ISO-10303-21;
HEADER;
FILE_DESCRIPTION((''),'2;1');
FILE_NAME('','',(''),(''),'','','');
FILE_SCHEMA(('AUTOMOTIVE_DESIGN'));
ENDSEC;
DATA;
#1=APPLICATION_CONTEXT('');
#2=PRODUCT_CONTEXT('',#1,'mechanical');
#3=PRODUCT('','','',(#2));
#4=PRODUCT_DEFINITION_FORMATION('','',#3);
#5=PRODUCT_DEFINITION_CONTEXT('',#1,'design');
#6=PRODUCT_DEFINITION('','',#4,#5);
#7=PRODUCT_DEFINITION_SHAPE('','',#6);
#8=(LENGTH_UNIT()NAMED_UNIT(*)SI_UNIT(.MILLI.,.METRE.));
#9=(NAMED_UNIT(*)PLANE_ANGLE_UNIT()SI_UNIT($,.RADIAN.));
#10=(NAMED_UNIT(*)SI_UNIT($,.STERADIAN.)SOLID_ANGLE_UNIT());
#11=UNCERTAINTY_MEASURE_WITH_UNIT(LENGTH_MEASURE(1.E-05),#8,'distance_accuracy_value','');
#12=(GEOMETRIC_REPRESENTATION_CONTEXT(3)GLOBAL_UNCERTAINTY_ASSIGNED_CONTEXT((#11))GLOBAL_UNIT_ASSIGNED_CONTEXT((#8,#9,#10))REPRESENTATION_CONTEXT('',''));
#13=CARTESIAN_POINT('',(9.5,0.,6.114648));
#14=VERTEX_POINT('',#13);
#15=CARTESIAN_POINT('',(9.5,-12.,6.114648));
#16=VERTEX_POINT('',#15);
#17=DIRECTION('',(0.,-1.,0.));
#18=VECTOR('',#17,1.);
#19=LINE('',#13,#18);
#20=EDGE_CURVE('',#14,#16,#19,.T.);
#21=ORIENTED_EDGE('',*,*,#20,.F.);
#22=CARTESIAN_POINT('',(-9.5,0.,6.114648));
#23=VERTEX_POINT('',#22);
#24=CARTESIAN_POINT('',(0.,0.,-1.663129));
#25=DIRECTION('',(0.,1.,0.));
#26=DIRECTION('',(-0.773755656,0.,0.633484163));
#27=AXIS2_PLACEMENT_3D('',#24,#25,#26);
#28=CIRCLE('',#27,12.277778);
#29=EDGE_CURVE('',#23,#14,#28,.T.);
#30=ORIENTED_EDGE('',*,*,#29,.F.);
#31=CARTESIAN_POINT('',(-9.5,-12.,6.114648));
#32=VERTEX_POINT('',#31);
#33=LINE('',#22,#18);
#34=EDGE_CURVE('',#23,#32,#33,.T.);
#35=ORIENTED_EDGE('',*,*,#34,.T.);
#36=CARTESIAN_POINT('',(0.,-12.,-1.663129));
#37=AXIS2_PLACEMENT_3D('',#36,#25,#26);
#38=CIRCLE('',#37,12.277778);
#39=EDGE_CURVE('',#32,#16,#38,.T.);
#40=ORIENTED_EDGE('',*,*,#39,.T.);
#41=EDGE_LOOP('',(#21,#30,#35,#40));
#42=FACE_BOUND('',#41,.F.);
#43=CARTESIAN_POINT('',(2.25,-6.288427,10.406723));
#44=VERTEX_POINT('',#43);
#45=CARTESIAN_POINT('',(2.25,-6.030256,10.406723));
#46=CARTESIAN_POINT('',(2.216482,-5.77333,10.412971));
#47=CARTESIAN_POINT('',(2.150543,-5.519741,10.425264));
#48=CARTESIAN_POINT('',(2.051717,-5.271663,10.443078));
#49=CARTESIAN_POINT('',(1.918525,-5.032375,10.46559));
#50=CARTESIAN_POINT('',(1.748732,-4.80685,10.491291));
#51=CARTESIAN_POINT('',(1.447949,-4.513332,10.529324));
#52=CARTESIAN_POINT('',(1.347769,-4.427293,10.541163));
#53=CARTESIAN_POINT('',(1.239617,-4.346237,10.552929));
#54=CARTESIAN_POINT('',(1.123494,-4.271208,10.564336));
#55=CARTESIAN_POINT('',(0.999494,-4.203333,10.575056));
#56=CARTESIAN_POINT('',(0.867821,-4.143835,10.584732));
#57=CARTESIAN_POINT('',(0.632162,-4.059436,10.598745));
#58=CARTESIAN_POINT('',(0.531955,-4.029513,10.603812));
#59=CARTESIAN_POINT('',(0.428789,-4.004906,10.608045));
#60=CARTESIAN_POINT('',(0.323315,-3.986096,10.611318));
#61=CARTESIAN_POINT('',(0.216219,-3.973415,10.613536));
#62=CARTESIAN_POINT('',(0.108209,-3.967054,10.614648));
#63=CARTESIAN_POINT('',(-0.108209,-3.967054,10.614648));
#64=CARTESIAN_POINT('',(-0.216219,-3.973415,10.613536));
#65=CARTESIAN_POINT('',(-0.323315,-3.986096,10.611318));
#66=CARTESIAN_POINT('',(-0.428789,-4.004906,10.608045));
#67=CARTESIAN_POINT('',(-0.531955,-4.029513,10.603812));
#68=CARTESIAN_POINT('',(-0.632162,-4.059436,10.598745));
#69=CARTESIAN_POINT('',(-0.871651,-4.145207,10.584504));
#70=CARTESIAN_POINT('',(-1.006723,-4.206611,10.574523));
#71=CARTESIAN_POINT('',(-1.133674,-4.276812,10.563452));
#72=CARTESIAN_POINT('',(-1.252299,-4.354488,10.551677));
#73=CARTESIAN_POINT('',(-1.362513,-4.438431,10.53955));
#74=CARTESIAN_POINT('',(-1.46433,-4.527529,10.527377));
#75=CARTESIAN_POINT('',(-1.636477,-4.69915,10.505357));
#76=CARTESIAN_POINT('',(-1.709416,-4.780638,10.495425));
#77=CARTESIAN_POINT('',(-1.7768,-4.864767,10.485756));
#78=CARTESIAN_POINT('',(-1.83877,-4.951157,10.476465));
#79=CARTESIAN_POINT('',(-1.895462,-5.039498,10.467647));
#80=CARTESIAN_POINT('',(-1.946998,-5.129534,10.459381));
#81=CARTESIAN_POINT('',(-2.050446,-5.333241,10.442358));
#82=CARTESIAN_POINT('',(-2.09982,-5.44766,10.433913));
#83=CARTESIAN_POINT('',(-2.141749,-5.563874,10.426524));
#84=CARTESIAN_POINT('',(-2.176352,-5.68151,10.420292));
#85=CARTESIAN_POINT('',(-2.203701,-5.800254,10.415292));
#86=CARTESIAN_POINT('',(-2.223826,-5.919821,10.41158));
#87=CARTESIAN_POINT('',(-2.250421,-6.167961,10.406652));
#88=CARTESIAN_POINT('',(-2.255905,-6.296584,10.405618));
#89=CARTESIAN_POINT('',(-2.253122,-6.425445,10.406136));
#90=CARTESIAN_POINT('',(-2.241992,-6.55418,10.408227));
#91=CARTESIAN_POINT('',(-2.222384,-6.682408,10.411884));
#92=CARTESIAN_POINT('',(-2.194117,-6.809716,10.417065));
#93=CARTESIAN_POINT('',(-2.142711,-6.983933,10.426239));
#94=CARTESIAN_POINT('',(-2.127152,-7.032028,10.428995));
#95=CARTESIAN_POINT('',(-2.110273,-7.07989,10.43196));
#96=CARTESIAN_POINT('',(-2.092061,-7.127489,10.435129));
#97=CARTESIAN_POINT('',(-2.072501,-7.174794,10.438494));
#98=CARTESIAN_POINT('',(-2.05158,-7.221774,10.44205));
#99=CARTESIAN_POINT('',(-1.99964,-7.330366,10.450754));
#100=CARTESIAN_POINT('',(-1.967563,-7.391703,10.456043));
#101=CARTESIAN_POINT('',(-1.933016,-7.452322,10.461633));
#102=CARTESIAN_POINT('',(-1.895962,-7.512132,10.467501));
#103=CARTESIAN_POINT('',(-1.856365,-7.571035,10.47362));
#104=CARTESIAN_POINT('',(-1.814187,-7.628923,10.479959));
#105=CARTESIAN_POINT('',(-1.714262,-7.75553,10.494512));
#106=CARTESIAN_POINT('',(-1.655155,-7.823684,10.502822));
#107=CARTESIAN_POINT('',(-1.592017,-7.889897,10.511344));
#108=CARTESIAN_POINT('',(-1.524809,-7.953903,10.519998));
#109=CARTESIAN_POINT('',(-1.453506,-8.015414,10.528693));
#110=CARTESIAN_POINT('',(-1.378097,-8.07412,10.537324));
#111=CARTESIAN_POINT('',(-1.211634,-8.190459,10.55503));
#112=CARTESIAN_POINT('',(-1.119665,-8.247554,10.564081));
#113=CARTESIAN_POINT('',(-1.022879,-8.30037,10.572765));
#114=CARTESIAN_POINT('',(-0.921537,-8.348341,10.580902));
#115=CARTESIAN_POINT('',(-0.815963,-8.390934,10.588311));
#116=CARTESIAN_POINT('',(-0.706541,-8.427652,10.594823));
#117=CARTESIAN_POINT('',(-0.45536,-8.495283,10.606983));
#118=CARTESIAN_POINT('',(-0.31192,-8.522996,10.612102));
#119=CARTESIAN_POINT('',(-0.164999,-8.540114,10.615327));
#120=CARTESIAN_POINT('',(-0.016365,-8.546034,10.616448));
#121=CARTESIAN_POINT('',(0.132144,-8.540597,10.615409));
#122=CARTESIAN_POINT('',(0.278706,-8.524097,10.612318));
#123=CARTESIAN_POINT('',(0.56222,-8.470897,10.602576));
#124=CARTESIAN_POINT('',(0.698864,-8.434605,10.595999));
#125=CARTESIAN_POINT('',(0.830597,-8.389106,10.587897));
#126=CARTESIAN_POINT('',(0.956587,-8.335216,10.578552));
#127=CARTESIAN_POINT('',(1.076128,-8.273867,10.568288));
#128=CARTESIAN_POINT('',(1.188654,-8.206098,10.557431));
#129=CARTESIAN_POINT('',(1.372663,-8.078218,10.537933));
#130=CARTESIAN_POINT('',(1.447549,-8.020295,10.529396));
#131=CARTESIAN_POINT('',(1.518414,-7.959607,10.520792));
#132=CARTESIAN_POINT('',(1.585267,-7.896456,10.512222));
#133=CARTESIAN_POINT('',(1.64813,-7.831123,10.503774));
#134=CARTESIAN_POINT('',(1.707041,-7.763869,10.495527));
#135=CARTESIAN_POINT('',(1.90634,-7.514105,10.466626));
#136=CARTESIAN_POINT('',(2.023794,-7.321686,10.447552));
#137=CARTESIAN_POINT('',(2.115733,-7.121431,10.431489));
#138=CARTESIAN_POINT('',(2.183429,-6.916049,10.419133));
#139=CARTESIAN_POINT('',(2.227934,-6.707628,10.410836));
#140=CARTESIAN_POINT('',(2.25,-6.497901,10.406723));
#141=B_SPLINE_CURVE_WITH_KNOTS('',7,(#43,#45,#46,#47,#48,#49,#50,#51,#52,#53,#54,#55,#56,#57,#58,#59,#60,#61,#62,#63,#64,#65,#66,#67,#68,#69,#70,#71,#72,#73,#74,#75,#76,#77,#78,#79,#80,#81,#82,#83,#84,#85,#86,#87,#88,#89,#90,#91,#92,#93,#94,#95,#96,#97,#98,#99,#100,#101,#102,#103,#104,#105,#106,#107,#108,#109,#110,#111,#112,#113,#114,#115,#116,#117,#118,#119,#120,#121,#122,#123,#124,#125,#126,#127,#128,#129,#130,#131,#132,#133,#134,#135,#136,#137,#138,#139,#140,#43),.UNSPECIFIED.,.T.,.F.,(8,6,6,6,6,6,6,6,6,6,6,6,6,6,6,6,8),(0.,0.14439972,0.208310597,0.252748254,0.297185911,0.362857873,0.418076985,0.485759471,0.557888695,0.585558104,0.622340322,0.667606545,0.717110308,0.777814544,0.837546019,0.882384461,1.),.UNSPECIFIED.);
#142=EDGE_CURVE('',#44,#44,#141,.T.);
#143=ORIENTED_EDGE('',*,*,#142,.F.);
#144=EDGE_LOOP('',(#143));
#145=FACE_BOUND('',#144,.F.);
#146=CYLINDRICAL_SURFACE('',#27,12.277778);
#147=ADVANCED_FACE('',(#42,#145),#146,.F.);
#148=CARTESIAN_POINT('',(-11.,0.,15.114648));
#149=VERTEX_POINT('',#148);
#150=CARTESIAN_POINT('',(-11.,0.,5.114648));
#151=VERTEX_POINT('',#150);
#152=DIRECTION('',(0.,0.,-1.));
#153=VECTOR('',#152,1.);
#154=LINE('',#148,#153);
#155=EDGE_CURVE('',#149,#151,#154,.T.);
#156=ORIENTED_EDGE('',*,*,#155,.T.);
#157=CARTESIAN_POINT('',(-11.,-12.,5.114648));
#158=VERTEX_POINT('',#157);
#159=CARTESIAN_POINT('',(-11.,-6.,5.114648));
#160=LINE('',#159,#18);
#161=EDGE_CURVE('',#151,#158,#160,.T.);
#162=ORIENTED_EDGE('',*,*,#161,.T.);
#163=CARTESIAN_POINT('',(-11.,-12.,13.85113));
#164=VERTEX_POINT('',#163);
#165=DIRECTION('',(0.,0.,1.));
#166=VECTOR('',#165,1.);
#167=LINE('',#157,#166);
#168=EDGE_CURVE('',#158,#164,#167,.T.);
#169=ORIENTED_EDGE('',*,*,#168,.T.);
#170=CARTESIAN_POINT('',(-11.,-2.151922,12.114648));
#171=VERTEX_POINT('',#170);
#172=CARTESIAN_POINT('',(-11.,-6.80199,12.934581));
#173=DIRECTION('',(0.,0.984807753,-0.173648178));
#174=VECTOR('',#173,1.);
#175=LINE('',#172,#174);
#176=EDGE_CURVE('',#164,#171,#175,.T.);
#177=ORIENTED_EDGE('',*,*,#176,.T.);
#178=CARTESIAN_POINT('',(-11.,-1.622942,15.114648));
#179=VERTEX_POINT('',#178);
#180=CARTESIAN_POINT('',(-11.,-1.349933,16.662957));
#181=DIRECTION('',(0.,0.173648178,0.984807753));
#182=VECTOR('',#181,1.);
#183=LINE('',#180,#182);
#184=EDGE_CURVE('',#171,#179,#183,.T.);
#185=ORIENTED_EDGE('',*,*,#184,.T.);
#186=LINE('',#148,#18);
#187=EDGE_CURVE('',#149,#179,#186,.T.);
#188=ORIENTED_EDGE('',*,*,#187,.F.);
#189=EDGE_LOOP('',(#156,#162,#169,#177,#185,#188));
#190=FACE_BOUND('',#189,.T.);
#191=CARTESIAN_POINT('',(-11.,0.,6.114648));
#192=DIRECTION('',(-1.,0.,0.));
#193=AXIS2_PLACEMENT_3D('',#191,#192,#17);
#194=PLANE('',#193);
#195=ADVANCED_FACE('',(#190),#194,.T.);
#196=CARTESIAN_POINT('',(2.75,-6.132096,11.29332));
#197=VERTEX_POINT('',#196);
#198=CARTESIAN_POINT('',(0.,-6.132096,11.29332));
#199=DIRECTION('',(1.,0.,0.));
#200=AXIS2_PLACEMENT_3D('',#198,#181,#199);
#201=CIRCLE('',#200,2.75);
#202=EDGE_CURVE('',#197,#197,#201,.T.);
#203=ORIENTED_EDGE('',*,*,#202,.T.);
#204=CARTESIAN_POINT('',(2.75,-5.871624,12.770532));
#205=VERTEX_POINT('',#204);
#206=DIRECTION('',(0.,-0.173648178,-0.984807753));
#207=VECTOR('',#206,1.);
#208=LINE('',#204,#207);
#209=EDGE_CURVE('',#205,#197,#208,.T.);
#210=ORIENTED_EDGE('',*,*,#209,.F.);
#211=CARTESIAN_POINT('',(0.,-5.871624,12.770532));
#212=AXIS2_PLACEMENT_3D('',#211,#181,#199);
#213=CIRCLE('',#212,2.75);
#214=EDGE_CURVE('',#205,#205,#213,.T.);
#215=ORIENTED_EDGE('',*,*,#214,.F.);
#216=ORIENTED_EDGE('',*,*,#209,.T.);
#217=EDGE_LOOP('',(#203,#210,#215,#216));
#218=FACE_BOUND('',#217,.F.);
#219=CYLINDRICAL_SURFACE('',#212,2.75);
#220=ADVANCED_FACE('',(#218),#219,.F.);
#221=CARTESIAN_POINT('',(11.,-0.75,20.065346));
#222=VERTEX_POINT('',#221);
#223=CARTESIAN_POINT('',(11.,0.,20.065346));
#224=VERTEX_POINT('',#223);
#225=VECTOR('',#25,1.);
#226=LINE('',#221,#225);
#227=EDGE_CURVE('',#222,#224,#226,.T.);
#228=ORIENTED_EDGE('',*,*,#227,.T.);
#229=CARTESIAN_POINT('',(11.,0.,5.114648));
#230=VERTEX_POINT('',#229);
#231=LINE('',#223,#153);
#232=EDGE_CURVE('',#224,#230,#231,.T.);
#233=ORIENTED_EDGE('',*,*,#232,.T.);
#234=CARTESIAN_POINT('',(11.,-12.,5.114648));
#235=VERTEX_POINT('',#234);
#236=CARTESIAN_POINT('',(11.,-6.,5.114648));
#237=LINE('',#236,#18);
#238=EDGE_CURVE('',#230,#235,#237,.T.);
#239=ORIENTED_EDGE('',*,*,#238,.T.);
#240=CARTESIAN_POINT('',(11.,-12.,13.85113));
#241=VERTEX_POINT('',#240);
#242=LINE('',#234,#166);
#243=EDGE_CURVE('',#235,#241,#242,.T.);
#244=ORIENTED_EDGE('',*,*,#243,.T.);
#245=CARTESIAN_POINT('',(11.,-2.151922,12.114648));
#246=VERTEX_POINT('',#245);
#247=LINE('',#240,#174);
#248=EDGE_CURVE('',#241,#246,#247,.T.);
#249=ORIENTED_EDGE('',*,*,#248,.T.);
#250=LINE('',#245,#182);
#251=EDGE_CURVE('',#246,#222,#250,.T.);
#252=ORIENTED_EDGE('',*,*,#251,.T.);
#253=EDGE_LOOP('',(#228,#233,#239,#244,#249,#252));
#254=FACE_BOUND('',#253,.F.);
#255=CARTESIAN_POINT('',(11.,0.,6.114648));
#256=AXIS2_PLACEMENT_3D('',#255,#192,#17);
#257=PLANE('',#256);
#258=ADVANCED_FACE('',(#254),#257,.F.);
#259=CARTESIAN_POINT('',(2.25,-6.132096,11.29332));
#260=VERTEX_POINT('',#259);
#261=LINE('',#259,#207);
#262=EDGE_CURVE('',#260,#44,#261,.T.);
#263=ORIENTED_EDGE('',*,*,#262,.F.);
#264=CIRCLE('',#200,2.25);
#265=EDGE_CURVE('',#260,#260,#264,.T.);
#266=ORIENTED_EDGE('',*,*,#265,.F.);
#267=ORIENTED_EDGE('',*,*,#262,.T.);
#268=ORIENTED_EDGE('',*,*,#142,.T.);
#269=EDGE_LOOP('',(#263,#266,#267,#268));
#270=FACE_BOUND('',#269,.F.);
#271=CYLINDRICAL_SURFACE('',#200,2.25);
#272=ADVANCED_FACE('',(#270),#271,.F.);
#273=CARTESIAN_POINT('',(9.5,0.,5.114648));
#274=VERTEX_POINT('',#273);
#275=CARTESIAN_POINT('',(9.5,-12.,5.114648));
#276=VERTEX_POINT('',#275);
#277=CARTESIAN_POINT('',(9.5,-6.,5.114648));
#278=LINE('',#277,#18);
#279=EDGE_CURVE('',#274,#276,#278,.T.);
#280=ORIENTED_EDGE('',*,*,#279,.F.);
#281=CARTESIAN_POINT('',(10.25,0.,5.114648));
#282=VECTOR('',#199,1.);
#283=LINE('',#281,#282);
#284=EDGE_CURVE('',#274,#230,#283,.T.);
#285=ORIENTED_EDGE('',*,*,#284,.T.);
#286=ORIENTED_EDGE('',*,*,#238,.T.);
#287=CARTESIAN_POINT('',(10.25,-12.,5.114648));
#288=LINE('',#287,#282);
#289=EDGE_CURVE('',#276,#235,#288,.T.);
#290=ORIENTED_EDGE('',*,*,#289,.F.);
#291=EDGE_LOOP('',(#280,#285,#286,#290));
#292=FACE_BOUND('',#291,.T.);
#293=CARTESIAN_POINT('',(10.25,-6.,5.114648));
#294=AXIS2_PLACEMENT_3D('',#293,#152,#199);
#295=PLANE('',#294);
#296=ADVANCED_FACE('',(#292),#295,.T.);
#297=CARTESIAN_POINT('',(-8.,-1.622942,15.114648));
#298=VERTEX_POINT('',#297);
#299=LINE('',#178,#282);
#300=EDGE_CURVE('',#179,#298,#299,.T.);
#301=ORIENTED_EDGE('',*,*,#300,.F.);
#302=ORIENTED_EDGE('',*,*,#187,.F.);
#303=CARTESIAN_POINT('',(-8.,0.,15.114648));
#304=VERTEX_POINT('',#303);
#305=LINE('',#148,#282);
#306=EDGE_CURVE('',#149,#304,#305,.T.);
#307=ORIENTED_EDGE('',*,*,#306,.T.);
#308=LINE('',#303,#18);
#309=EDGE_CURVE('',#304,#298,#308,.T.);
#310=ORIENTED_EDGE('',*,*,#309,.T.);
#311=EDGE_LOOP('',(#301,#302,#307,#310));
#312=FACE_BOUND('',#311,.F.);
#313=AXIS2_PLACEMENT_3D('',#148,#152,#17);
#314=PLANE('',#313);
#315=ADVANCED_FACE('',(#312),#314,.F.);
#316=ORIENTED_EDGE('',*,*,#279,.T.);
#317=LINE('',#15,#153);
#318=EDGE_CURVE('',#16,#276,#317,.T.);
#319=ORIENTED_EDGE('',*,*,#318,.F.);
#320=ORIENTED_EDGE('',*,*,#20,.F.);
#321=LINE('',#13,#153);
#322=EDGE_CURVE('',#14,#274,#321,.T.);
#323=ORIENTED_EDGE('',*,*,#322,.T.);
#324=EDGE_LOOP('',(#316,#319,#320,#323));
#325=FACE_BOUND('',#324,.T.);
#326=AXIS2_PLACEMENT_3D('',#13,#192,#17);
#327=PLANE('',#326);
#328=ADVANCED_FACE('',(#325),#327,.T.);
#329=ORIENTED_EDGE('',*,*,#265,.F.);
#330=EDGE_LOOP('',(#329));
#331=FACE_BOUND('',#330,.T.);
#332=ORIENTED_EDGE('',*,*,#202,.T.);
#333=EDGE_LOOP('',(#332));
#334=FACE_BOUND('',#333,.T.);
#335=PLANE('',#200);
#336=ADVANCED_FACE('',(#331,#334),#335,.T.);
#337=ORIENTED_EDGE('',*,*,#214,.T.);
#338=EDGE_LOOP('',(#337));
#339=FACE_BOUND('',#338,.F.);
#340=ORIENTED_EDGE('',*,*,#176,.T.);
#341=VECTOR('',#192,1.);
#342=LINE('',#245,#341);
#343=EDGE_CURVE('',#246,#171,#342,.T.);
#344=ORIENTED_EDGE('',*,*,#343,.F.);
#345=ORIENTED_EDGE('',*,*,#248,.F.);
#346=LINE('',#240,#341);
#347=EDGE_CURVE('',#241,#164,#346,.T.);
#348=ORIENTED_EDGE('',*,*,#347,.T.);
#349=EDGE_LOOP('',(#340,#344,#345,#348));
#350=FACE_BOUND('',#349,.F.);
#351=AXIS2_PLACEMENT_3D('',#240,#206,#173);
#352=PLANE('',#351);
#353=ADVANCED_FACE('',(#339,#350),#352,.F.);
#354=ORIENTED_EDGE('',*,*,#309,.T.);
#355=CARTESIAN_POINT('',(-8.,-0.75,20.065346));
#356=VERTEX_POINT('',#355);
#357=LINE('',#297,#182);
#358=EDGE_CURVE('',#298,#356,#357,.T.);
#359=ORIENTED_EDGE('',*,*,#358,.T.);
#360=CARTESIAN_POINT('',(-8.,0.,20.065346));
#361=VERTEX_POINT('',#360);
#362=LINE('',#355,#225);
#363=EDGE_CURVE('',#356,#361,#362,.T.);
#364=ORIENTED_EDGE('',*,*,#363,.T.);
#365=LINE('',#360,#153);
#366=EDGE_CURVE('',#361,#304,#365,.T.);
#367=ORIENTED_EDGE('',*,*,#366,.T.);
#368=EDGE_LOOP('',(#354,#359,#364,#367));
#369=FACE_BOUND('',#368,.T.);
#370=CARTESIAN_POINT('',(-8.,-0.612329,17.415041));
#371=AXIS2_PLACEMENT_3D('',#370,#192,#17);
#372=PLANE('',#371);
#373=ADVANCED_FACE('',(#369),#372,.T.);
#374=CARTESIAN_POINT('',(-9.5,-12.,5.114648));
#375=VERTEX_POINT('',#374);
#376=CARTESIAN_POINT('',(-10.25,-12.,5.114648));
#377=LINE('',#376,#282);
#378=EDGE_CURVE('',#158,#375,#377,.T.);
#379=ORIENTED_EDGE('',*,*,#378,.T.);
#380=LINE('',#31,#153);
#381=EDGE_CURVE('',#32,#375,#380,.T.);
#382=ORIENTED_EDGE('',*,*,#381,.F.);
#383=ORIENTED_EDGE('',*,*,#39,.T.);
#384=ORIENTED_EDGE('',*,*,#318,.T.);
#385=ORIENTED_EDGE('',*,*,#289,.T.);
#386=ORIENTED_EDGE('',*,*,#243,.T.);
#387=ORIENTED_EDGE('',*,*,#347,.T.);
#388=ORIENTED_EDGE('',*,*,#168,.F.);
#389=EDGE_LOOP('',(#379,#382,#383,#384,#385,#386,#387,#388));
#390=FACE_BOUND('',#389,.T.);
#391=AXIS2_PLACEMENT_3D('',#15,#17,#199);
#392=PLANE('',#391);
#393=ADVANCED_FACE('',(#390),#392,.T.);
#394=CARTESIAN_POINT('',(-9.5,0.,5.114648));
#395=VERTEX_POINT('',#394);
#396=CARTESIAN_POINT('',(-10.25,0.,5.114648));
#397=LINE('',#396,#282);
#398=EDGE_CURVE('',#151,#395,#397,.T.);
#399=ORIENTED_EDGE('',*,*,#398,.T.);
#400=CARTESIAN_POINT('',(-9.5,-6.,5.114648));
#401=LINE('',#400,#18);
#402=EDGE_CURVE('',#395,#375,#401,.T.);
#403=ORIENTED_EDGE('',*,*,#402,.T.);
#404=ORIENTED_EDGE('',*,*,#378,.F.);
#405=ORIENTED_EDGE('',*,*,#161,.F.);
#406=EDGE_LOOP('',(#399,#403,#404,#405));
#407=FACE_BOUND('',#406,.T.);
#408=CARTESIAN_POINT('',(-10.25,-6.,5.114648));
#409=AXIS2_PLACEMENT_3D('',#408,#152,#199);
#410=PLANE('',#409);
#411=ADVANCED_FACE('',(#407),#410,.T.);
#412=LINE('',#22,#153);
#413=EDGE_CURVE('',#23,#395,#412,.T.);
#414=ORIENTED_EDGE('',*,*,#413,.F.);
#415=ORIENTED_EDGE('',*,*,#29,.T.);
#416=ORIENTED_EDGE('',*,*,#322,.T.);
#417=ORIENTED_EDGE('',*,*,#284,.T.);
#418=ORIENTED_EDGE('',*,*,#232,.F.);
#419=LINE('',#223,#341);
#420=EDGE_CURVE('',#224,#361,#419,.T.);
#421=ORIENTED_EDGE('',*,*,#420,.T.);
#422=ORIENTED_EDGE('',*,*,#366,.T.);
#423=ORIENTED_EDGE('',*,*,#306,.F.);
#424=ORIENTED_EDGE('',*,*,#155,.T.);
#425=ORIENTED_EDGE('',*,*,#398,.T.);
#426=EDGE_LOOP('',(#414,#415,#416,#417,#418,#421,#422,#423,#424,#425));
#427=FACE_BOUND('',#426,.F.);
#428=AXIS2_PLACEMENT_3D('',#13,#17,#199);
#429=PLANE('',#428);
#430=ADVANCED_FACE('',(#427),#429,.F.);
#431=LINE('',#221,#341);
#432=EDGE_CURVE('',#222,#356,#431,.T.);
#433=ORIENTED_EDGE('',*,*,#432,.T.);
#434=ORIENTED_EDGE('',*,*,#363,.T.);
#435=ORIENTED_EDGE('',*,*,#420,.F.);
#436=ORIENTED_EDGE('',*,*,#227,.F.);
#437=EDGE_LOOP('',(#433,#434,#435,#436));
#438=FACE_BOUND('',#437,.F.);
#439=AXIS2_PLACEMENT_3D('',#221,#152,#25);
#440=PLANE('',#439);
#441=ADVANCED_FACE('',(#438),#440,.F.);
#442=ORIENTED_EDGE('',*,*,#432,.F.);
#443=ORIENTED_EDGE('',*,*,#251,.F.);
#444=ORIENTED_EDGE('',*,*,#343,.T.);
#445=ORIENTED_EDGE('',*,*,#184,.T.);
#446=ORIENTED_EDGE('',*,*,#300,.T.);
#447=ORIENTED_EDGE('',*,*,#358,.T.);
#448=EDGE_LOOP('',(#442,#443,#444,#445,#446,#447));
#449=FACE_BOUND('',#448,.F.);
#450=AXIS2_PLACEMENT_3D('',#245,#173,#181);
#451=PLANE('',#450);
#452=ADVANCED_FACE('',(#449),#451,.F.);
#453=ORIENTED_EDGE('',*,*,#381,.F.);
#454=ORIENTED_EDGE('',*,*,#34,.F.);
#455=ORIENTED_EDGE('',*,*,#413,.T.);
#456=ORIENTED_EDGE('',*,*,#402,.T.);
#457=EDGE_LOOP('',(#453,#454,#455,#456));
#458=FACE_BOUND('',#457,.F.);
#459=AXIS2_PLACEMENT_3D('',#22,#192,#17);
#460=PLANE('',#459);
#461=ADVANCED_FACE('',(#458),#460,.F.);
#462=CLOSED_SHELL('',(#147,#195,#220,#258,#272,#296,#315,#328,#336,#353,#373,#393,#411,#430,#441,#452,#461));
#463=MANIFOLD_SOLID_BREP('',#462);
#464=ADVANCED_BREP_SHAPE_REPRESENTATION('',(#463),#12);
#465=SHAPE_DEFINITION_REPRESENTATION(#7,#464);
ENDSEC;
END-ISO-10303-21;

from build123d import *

# Parameters (mm, degrees)
F1_DEPTH  = 12
F3_DEPTH  = 22.001
F5_DEPTH  = 3
F6_W      = 1.5
F6_H      = 12
F7_DEPTH  = 1
F8_W      = 1.5
F8_H      = 12
F9_DEPTH  = 1
F10_R     = 2.75
F11_DEPTH = 1.5
F12_R     = 2.25
F13_DEPTH = 25


with BuildPart() as f1:
    # F0 (on Front) → F1 (new body)
    with BuildSketch(Plane.XZ):
        with BuildLine():
            ThreePointArc((-9.5, 6.1146484713), (0, 10.6146484713), (9.5, 6.1146484713))
            Line((9.5, 6.1146484713), (11, 6.1146484713))
            Line((11, 6.1146484713), (11, 21.1146484713))
            Line((11, 21.1146484713), (-11, 21.1146484713))
            Line((-11, 21.1146484713), (-11, 6.1146484713))
            Line((-11, 6.1146484713), (-9.5, 6.1146484713))
        make_face()
    extrude(amount=F1_DEPTH)

    # F2 (on face) → F3 (cut, through all)
    with BuildSketch(Plane.YZ.offset(11)):
        Polygon((-12, 21.1146484713), (-12, 13.851130248), (-2.1519224699, 12.1146484713), (-0.75, 20.0653458872), (0, 20.0653458872), (0, 21.1146484713), align=None)
    extrude(amount=-F3_DEPTH, mode=Mode.SUBTRACT)

    # F4 (on face) → F5 (cut)
    with BuildSketch(Plane(origin=(-11, 0, 0), x_dir=(0, -1, 0), z_dir=(-1, 0, 0))):
        Polygon((0.75, 20.0653458872), (0, 20.0653458872), (0, 15.1146484713), (1.6229415278, 15.1146484713), align=None)
    extrude(amount=-F5_DEPTH, mode=Mode.SUBTRACT)

    # F6 (on face) → F7 (join)
    with BuildSketch(Plane(origin=(0, 0, 6.1146484713), x_dir=(1, 0, 0), z_dir=(0, 0, -1))):
        with Locations((-10.25, 6)):
            Rectangle(F6_W, F6_H)
    extrude(amount=F7_DEPTH)

    # F8 (on face) → F9 (join)
    with BuildSketch(Plane(origin=(0, 0, 6.1146484713), x_dir=(1, 0, 0), z_dir=(0, 0, -1))):
        with Locations((10.25, 6)):
            Rectangle(F8_W, F8_H)
    extrude(amount=F9_DEPTH)

    # F10 (on face) → F11 (cut)
    with BuildSketch(Plane(origin=(0, 2.006838501, 11.3813467058), x_dir=(1, 0, 0), z_dir=(0, 0.1736481777, 0.984807753))):
        with Locations((0, -8)):
            Circle(F10_R)
    extrude(amount=-F11_DEPTH, mode=Mode.SUBTRACT)

    # F12 (on face) → F13 (cut)
    with BuildSketch(Plane(origin=(0, 1.7463662345, 9.9041350763), x_dir=(1, 0, 0), z_dir=(0, 0.1736481777, 0.984807753))):
        with Locations((0, -8)):
            Circle(F12_R)
    extrude(amount=-F13_DEPTH, mode=Mode.SUBTRACT)


solid = f1.part
